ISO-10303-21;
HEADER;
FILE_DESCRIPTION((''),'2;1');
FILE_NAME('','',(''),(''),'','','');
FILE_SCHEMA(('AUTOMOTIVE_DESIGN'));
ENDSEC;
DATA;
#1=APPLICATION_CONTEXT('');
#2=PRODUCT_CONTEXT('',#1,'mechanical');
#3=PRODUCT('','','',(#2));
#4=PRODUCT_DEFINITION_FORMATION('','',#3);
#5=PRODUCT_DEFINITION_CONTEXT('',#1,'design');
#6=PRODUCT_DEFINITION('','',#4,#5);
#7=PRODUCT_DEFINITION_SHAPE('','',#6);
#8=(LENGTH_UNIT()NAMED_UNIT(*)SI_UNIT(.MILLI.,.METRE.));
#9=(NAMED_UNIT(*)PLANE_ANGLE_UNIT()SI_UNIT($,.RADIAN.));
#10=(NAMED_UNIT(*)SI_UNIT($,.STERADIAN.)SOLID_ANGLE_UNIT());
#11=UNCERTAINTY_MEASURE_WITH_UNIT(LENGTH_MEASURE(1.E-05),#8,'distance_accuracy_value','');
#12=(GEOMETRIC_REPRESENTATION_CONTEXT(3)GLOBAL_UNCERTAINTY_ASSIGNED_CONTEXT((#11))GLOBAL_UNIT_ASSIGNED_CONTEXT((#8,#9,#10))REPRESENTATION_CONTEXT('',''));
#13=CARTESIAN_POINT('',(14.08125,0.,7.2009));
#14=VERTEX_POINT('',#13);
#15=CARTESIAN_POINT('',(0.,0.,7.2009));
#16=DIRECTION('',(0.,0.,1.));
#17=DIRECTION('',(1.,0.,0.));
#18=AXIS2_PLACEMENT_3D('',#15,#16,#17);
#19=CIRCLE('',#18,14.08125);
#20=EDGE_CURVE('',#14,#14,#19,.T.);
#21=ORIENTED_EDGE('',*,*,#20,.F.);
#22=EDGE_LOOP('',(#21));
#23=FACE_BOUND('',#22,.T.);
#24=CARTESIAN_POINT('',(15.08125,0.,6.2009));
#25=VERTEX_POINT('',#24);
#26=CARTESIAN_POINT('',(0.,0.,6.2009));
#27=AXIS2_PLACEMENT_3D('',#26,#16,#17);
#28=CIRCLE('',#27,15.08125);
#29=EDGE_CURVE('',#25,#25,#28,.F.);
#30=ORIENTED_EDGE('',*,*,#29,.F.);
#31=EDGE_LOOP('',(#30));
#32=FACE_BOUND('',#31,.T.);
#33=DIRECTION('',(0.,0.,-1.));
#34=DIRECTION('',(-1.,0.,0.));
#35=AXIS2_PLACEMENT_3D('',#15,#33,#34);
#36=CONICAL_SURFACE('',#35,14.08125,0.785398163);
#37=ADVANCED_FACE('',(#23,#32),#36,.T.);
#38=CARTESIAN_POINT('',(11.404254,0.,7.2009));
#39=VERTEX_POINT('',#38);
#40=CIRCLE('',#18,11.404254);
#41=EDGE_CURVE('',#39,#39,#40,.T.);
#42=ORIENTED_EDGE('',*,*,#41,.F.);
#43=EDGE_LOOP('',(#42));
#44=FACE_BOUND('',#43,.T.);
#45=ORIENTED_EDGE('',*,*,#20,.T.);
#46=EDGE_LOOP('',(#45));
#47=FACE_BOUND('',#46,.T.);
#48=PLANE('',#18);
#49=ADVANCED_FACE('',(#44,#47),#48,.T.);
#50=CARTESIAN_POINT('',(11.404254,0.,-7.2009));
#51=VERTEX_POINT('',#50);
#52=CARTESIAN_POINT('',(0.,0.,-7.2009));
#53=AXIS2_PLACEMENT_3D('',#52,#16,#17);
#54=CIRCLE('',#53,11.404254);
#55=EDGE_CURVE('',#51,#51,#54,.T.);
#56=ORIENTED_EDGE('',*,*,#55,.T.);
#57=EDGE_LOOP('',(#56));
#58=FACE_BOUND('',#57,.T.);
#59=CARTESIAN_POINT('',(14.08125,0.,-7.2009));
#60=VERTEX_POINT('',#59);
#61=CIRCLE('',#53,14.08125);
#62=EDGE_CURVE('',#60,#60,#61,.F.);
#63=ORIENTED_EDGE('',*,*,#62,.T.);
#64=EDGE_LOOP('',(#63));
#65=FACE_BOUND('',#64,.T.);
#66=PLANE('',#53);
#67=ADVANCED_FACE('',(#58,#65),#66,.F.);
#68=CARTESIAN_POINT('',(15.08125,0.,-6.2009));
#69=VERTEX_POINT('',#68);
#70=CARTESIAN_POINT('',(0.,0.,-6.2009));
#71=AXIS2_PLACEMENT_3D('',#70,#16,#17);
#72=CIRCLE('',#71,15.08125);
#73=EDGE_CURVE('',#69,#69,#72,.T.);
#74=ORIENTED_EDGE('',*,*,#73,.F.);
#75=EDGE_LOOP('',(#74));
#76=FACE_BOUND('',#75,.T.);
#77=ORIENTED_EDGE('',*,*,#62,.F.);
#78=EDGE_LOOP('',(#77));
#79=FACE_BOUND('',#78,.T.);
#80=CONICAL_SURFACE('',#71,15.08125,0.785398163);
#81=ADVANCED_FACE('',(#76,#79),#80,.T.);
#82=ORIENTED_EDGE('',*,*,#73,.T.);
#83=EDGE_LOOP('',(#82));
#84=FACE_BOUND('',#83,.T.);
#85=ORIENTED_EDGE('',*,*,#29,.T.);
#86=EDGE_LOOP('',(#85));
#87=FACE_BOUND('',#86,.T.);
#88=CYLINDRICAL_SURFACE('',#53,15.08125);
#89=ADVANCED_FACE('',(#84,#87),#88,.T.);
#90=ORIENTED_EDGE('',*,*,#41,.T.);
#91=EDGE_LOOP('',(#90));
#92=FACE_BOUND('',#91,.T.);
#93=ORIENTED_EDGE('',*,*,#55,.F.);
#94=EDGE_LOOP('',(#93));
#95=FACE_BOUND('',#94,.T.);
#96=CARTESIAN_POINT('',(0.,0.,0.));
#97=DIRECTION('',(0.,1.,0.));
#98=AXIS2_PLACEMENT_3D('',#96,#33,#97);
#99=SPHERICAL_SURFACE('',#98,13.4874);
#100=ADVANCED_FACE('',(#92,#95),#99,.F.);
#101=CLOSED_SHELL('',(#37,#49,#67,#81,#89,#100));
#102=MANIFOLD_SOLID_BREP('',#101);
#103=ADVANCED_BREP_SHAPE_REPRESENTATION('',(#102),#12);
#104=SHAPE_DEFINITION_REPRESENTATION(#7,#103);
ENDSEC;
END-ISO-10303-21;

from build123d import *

# Parameters (mm, degrees)
EXTRUDE1_START = -7.2009
SKETCH1_R      = 15.08125
SKETCH1_R_2    = 7.95
EXTRUDE1_DEPTH = 14.4018
CHAMFER1_SIZE  = 1


with BuildPart() as part:
    # Sketch1 → Extrude1 (new body)
    with BuildSketch(Plane.XY.offset(EXTRUDE1_START)):
        Circle(SKETCH1_R)
        Circle(SKETCH1_R_2, mode=Mode.SUBTRACT)
    extrude(amount=EXTRUDE1_DEPTH)

    # Chamfer1
    chamfer1_edges = [part.edges().sort_by_distance(p)[0] for p in [
        (-15.08125, 0, -7.2009),
        (-15.08125, 0, 7.2009),
    ]]
    chamfer(chamfer1_edges, length=CHAMFER1_SIZE)

    # Sketch2 → Revolve1 (revolve)
    with BuildSketch(Plane(origin=(0, 0, 0), x_dir=(0, 0, -1), z_dir=(1, 0, 0))):
        with BuildLine():
            Line((7.95, 7.94), (-7.95, 7.94))
            Line((-7.95, 7.94), (-7.95, 10.895295258))
            ThreePointArc((-7.95, 10.895295258), (0, 13.4874), (7.95, 10.895295258))
            Line((7.95, 10.895295258), (7.95, 7.94))
        make_face()
    revolve(axis=Axis((0, 0, -11.466432169), (0, 0, 1)))

    # Sketch2_2 → Cut-Revolve1 (revolve, cut)
    with BuildSketch(Plane(origin=(0, 0, 0), x_dir=(0, 0, -1), z_dir=(1, 0, 0))):
        with BuildLine():
            Line((7.95, 7.94), (-7.95, 7.94))
            Line((-7.95, 7.94), (-7.95, 10.895295258))
            ThreePointArc((-7.95, 10.895295258), (0, 13.4874), (7.95, 10.895295258))
            Line((7.95, 10.895295258), (7.95, 7.94))
        make_face()
    revolve(axis=Axis((0, 0, -11.466432169), (0, 0, 1)), mode=Mode.SUBTRACT)


solid = part.part
